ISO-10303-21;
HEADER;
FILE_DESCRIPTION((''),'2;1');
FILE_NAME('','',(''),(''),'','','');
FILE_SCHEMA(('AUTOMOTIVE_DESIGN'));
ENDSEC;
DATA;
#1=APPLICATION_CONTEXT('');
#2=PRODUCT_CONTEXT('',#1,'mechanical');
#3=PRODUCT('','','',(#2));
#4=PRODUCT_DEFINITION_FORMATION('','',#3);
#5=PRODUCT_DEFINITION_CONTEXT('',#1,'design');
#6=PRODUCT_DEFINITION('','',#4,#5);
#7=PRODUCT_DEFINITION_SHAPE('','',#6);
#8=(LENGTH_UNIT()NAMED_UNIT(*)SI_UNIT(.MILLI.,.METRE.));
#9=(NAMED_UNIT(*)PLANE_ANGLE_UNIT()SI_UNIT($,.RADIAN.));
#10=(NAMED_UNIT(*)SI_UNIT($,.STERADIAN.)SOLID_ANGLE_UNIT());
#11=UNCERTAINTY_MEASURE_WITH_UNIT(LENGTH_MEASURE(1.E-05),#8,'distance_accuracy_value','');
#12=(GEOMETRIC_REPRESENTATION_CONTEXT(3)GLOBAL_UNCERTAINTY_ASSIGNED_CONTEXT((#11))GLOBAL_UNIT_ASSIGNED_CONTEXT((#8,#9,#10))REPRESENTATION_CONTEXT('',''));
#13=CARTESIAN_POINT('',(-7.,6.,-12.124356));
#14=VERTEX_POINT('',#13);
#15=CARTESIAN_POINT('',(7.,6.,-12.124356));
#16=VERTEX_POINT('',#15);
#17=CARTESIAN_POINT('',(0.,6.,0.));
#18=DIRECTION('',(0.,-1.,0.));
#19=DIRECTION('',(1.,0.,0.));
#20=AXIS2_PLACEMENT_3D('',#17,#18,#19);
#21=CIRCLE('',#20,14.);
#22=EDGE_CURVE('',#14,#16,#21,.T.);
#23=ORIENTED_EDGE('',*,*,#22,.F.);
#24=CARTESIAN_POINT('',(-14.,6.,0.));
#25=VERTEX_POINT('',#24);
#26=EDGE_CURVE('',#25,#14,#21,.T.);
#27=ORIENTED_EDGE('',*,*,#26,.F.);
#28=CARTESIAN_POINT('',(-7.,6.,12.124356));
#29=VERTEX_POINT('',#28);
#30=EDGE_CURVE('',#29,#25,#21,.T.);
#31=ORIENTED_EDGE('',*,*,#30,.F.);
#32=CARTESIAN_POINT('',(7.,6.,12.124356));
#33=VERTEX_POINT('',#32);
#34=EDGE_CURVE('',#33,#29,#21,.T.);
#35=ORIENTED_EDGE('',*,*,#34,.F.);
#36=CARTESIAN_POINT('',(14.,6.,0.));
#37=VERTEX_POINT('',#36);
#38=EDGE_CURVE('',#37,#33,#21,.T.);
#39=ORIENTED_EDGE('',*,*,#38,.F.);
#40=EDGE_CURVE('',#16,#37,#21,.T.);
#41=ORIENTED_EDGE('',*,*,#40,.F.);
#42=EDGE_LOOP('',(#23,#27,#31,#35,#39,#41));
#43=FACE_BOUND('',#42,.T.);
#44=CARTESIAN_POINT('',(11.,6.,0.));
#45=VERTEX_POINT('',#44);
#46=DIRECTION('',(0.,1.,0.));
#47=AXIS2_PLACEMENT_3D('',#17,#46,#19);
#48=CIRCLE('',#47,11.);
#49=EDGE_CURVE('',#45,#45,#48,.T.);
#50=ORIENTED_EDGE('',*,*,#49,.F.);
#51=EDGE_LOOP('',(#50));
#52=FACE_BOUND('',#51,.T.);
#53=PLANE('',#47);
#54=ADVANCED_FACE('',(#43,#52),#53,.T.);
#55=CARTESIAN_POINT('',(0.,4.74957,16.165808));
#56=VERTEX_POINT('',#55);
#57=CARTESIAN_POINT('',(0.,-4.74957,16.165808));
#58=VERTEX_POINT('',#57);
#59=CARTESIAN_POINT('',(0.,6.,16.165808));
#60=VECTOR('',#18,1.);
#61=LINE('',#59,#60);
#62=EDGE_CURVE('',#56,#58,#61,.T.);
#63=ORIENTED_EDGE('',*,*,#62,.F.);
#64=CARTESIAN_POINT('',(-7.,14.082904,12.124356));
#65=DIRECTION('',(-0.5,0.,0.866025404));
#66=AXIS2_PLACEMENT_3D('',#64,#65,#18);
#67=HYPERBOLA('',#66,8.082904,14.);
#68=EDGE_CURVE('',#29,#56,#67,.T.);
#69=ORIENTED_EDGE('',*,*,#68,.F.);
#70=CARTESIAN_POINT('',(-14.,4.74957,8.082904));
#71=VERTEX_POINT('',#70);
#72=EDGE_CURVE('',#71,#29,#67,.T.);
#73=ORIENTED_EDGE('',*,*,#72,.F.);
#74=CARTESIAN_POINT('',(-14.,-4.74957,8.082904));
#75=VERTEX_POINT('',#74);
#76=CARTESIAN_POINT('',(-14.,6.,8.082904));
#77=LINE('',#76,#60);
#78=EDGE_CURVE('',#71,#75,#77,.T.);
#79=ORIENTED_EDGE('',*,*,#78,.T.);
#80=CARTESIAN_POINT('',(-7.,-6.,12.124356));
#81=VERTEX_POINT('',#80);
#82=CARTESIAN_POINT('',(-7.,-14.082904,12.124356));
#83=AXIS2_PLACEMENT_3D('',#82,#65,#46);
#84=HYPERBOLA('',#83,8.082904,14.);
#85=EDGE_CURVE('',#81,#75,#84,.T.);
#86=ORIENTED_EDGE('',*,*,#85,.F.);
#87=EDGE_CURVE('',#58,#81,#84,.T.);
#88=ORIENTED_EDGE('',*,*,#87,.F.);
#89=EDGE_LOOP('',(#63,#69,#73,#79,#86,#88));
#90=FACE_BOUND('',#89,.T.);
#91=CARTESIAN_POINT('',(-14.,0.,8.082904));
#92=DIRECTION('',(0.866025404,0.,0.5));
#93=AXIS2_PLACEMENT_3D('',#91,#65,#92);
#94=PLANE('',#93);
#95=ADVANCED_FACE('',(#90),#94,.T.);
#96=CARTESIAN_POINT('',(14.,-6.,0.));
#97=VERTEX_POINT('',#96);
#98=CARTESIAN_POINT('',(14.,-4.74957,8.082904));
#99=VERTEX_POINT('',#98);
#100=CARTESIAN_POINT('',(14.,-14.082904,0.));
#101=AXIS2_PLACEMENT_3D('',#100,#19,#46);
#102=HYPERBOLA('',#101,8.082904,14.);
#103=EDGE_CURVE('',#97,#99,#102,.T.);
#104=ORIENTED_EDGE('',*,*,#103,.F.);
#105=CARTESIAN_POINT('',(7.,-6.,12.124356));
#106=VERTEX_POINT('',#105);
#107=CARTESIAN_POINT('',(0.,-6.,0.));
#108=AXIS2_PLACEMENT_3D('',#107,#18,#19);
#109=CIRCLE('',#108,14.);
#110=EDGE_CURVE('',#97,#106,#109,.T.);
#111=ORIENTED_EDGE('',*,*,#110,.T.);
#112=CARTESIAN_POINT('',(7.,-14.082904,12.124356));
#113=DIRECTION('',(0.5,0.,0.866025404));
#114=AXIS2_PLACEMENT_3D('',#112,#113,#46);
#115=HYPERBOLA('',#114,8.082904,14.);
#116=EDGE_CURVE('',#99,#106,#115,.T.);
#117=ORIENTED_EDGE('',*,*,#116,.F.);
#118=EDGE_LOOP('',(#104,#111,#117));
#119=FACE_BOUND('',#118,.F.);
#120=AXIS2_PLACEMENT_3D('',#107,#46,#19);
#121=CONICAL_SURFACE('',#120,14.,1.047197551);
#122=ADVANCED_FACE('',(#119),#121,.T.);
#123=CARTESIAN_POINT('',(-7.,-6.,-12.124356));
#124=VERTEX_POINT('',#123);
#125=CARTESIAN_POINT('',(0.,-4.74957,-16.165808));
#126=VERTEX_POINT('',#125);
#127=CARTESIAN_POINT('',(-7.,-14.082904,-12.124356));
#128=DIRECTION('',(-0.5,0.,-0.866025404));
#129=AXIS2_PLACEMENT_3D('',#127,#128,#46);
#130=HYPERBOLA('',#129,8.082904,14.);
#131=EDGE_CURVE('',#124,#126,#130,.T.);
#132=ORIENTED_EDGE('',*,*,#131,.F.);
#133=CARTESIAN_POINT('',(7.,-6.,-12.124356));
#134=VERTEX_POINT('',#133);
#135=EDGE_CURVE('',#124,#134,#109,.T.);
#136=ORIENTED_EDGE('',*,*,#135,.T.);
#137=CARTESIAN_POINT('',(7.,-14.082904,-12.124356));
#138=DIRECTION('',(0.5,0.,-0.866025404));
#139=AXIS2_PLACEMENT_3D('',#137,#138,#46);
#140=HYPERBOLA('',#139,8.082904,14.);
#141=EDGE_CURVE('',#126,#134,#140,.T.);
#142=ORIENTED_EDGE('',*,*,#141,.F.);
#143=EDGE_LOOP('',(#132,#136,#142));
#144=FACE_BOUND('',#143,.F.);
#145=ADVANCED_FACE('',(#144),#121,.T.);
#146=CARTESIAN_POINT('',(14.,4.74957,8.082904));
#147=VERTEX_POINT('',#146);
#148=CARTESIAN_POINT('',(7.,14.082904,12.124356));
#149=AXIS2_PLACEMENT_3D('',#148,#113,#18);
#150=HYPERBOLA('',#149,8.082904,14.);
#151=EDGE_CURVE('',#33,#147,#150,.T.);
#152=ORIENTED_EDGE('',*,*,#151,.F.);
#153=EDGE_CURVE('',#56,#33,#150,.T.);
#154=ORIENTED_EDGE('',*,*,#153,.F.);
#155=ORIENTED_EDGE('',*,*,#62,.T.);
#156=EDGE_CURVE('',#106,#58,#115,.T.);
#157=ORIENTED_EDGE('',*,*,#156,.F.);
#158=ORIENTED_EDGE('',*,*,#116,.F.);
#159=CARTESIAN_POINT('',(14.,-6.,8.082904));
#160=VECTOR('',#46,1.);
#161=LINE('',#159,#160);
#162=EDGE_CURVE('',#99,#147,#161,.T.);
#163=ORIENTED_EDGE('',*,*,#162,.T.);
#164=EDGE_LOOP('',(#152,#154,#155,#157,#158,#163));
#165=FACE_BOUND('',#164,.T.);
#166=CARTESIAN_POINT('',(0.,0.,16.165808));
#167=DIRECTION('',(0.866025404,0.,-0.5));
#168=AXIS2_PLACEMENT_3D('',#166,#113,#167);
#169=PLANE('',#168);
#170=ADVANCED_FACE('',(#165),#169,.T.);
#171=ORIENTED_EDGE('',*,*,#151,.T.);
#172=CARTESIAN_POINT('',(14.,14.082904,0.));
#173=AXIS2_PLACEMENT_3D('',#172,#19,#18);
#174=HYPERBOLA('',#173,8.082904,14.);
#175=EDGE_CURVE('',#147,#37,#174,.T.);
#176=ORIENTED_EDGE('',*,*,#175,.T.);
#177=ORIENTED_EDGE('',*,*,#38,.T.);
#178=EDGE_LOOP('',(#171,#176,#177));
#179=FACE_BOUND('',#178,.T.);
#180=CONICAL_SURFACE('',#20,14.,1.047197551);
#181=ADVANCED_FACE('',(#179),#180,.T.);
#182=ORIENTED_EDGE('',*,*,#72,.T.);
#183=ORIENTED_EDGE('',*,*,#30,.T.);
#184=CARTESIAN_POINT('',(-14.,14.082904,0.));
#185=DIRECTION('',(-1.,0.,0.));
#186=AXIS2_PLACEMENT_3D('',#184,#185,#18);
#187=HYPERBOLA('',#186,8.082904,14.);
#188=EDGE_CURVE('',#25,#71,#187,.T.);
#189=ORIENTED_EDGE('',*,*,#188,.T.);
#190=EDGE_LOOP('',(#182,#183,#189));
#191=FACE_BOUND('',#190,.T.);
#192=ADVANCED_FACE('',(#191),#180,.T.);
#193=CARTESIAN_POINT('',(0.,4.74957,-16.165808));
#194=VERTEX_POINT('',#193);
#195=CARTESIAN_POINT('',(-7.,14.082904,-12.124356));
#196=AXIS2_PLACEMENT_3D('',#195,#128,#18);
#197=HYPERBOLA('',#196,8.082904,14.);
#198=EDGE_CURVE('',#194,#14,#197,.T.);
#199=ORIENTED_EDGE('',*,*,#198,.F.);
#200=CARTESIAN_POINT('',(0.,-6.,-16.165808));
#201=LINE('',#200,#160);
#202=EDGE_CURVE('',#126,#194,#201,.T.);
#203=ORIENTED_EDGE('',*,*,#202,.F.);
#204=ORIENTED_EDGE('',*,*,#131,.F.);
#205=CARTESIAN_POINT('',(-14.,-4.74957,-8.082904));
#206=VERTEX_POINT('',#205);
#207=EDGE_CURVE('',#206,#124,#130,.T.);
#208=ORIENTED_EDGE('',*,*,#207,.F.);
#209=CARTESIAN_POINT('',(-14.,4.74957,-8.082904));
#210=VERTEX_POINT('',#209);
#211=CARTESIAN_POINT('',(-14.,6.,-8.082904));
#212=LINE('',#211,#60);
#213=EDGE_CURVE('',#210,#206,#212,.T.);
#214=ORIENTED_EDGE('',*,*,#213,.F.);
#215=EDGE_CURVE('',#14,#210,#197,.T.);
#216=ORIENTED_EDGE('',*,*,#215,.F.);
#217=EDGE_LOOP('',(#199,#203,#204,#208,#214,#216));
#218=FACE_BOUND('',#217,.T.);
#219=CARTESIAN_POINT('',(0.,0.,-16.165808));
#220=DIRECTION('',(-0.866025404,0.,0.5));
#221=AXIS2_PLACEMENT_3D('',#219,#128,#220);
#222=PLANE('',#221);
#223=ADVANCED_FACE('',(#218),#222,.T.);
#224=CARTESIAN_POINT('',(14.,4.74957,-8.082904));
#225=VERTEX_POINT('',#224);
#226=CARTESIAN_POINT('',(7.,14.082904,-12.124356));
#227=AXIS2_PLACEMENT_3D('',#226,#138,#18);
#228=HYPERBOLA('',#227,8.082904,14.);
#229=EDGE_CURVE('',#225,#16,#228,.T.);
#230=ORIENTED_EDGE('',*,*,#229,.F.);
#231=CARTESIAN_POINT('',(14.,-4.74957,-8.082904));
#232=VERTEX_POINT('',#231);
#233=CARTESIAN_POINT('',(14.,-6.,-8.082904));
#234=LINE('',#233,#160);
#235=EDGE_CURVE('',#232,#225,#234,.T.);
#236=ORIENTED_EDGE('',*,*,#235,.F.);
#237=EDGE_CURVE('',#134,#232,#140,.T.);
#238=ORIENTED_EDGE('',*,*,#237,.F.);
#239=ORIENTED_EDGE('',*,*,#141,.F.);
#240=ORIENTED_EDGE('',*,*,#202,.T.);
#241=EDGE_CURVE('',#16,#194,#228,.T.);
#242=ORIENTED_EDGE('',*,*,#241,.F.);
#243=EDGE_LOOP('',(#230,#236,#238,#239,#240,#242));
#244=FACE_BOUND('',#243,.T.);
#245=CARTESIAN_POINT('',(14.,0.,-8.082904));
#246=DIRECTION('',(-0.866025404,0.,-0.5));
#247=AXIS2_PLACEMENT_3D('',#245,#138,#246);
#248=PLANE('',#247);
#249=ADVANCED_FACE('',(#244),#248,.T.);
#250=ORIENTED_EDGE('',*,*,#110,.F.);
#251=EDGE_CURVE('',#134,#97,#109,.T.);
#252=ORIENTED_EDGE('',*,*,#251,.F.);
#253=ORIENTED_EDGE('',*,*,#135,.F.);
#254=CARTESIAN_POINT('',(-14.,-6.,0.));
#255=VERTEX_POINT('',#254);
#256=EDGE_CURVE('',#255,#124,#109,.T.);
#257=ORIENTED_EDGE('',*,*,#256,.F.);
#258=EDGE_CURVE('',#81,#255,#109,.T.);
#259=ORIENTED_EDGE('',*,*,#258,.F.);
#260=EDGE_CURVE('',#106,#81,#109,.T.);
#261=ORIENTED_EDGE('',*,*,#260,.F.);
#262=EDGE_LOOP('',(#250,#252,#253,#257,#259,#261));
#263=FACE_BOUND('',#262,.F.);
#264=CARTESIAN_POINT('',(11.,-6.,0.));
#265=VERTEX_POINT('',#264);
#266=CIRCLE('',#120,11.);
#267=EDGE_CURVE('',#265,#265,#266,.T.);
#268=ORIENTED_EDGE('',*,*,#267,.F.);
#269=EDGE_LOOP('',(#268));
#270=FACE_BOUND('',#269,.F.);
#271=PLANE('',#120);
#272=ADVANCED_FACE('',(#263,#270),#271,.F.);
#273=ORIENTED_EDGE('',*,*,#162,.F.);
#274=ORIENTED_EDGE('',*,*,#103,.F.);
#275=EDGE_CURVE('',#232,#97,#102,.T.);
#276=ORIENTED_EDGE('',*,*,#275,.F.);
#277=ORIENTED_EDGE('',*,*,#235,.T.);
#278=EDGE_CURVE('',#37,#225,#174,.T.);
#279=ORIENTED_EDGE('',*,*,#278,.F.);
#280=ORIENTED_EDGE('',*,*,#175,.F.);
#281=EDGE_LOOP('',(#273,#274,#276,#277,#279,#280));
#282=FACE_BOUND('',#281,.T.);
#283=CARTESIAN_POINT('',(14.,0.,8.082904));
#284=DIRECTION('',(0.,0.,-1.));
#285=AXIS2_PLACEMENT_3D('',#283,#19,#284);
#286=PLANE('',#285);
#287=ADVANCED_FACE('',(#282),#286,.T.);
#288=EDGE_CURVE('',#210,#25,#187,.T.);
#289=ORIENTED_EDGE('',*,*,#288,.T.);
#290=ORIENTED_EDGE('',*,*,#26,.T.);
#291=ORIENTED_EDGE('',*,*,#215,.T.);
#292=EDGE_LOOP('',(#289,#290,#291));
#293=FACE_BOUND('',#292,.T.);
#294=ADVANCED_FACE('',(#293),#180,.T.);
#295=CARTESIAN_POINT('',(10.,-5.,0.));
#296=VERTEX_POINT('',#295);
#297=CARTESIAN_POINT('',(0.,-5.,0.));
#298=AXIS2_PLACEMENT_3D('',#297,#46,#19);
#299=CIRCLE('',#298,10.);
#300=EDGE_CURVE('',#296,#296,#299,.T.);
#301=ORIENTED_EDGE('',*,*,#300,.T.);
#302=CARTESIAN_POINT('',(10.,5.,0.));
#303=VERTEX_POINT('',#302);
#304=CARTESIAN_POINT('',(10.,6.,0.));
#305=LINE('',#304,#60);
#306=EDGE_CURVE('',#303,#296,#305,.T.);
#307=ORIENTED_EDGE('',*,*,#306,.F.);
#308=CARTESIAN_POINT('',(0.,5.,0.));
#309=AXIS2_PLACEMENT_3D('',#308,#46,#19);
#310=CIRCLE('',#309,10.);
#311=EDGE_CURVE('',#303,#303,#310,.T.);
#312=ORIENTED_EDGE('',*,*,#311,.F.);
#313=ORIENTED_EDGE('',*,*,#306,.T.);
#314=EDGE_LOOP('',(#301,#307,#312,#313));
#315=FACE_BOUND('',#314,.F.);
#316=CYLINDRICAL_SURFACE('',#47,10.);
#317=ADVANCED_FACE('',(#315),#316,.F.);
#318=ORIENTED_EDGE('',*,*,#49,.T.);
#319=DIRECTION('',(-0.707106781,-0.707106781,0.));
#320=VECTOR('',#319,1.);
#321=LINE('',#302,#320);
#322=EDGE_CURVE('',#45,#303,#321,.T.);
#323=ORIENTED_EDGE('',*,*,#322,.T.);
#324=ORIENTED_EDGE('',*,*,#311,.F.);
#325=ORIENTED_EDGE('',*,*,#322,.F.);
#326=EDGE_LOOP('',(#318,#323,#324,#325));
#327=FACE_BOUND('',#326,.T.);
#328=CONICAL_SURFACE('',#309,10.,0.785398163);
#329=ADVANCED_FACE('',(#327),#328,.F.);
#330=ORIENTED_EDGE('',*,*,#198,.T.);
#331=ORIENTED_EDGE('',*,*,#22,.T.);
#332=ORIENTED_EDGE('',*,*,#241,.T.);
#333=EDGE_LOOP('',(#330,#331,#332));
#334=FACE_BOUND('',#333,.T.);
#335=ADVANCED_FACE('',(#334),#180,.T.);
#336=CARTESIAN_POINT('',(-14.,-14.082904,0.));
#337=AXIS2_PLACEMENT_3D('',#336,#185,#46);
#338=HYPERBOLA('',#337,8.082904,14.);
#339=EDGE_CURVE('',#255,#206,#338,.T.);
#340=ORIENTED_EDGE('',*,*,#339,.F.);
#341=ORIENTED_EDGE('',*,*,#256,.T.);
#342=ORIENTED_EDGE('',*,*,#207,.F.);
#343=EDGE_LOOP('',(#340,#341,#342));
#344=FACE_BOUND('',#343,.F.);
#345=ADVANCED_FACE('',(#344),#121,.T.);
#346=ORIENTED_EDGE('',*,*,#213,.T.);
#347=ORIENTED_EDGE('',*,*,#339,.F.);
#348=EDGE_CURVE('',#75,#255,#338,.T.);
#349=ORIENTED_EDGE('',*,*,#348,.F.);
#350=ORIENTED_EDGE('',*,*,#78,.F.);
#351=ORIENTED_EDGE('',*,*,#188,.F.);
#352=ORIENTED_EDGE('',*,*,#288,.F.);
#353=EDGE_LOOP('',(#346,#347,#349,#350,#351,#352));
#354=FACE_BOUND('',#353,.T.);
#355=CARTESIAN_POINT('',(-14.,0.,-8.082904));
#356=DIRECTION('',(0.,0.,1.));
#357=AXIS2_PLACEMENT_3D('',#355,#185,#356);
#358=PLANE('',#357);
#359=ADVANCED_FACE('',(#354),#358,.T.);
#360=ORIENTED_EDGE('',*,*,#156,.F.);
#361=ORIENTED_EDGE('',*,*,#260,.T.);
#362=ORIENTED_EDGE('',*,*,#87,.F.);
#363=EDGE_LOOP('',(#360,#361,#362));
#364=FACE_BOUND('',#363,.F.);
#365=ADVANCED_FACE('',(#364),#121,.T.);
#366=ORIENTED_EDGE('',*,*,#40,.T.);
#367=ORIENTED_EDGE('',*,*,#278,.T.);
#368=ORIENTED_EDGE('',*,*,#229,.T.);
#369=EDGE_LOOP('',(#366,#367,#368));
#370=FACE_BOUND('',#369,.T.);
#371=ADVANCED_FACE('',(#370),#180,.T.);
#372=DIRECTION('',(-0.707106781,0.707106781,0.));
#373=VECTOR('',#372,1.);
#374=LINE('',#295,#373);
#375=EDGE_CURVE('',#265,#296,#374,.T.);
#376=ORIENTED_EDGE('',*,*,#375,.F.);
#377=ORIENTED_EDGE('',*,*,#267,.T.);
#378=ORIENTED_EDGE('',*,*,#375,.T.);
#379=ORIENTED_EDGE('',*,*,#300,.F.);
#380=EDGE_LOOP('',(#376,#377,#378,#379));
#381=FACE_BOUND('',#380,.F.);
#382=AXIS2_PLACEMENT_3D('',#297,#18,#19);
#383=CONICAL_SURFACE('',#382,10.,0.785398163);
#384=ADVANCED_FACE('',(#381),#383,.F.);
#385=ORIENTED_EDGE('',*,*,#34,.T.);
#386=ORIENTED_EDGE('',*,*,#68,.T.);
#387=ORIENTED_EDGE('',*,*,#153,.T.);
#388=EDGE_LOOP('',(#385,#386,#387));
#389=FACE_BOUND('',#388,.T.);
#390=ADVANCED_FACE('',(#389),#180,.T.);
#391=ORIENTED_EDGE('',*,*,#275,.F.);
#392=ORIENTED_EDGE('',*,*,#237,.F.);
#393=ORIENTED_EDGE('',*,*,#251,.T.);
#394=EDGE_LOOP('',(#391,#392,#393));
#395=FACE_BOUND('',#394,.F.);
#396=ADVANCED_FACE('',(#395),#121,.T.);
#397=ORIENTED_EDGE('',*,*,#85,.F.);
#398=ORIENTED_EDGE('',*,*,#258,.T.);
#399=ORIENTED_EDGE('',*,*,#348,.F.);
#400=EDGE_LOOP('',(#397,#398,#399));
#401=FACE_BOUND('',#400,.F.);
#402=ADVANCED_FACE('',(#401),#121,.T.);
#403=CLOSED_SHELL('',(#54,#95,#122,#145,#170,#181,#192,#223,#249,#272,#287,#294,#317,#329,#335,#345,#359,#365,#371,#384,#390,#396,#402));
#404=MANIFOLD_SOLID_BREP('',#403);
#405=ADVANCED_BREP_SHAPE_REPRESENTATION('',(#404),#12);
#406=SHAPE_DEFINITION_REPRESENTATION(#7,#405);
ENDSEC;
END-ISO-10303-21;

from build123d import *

# Parameters (mm, degrees)
BOSS_EXTRUDE1_DEPTH = 6
SKETCH2_OUTSIDE_W   = 80.454
SKETCH2_OUTSIDE_H   = 84.786
SKETCH2_OUTSIDE_R   = 14
CUT_EXTRUDE1_DEPTH  = 12
CUT_EXTRUDE1_TAPER  = 60
SKETCH3_R           = 10
CUT_EXTRUDE2_DEPTH  = 13
CHAMFER1_SIZE       = 1


with BuildPart() as part:
    # Sketch1 → Boss-Extrude1 (new body, symmetric)
    with BuildSketch(Plane(origin=(0, 0, 0), x_dir=(1, 0, 0), z_dir=(0, 1, 0))):
        Polygon((0, -16.165807537), (14, -8.082903769), (14, 8.082903769), (0, 16.165807537), (-14, 8.082903769), (-14, -8.082903769), align=None)
    extrude(amount=BOSS_EXTRUDE1_DEPTH, both=True)

    # Sketch2 outside → Cut-Extrude1 (cut)
    with BuildSketch(Plane(origin=(0, 6, 0), x_dir=(1, 0, 0), z_dir=(0, 1, 0))):
        Rectangle(SKETCH2_OUTSIDE_W, SKETCH2_OUTSIDE_H)
        Circle(SKETCH2_OUTSIDE_R, mode=Mode.SUBTRACT)
    cut_extrude1 = extrude(amount=-CUT_EXTRUDE1_DEPTH, taper=CUT_EXTRUDE1_TAPER, mode=Mode.SUBTRACT)

    # Mirror1: Cut-Extrude1 across plane
    add(cut_extrude1.mirror(Plane.ZX), mode=Mode.SUBTRACT)

    # Sketch3 → Cut-Extrude2 (cut, through all)
    with BuildSketch(Plane(origin=(0, 6, 0), x_dir=(1, 0, 0), z_dir=(0, 1, 0))):
        Circle(SKETCH3_R)
    extrude(amount=-CUT_EXTRUDE2_DEPTH, mode=Mode.SUBTRACT)

    # Chamfer1
    chamfer1_edges = [part.edges().sort_by_distance(p)[0] for p in [
        (-10, -6, 0),
        (-10, 6, 0),
    ]]
    chamfer(chamfer1_edges, length=CHAMFER1_SIZE)


solid = part.part
